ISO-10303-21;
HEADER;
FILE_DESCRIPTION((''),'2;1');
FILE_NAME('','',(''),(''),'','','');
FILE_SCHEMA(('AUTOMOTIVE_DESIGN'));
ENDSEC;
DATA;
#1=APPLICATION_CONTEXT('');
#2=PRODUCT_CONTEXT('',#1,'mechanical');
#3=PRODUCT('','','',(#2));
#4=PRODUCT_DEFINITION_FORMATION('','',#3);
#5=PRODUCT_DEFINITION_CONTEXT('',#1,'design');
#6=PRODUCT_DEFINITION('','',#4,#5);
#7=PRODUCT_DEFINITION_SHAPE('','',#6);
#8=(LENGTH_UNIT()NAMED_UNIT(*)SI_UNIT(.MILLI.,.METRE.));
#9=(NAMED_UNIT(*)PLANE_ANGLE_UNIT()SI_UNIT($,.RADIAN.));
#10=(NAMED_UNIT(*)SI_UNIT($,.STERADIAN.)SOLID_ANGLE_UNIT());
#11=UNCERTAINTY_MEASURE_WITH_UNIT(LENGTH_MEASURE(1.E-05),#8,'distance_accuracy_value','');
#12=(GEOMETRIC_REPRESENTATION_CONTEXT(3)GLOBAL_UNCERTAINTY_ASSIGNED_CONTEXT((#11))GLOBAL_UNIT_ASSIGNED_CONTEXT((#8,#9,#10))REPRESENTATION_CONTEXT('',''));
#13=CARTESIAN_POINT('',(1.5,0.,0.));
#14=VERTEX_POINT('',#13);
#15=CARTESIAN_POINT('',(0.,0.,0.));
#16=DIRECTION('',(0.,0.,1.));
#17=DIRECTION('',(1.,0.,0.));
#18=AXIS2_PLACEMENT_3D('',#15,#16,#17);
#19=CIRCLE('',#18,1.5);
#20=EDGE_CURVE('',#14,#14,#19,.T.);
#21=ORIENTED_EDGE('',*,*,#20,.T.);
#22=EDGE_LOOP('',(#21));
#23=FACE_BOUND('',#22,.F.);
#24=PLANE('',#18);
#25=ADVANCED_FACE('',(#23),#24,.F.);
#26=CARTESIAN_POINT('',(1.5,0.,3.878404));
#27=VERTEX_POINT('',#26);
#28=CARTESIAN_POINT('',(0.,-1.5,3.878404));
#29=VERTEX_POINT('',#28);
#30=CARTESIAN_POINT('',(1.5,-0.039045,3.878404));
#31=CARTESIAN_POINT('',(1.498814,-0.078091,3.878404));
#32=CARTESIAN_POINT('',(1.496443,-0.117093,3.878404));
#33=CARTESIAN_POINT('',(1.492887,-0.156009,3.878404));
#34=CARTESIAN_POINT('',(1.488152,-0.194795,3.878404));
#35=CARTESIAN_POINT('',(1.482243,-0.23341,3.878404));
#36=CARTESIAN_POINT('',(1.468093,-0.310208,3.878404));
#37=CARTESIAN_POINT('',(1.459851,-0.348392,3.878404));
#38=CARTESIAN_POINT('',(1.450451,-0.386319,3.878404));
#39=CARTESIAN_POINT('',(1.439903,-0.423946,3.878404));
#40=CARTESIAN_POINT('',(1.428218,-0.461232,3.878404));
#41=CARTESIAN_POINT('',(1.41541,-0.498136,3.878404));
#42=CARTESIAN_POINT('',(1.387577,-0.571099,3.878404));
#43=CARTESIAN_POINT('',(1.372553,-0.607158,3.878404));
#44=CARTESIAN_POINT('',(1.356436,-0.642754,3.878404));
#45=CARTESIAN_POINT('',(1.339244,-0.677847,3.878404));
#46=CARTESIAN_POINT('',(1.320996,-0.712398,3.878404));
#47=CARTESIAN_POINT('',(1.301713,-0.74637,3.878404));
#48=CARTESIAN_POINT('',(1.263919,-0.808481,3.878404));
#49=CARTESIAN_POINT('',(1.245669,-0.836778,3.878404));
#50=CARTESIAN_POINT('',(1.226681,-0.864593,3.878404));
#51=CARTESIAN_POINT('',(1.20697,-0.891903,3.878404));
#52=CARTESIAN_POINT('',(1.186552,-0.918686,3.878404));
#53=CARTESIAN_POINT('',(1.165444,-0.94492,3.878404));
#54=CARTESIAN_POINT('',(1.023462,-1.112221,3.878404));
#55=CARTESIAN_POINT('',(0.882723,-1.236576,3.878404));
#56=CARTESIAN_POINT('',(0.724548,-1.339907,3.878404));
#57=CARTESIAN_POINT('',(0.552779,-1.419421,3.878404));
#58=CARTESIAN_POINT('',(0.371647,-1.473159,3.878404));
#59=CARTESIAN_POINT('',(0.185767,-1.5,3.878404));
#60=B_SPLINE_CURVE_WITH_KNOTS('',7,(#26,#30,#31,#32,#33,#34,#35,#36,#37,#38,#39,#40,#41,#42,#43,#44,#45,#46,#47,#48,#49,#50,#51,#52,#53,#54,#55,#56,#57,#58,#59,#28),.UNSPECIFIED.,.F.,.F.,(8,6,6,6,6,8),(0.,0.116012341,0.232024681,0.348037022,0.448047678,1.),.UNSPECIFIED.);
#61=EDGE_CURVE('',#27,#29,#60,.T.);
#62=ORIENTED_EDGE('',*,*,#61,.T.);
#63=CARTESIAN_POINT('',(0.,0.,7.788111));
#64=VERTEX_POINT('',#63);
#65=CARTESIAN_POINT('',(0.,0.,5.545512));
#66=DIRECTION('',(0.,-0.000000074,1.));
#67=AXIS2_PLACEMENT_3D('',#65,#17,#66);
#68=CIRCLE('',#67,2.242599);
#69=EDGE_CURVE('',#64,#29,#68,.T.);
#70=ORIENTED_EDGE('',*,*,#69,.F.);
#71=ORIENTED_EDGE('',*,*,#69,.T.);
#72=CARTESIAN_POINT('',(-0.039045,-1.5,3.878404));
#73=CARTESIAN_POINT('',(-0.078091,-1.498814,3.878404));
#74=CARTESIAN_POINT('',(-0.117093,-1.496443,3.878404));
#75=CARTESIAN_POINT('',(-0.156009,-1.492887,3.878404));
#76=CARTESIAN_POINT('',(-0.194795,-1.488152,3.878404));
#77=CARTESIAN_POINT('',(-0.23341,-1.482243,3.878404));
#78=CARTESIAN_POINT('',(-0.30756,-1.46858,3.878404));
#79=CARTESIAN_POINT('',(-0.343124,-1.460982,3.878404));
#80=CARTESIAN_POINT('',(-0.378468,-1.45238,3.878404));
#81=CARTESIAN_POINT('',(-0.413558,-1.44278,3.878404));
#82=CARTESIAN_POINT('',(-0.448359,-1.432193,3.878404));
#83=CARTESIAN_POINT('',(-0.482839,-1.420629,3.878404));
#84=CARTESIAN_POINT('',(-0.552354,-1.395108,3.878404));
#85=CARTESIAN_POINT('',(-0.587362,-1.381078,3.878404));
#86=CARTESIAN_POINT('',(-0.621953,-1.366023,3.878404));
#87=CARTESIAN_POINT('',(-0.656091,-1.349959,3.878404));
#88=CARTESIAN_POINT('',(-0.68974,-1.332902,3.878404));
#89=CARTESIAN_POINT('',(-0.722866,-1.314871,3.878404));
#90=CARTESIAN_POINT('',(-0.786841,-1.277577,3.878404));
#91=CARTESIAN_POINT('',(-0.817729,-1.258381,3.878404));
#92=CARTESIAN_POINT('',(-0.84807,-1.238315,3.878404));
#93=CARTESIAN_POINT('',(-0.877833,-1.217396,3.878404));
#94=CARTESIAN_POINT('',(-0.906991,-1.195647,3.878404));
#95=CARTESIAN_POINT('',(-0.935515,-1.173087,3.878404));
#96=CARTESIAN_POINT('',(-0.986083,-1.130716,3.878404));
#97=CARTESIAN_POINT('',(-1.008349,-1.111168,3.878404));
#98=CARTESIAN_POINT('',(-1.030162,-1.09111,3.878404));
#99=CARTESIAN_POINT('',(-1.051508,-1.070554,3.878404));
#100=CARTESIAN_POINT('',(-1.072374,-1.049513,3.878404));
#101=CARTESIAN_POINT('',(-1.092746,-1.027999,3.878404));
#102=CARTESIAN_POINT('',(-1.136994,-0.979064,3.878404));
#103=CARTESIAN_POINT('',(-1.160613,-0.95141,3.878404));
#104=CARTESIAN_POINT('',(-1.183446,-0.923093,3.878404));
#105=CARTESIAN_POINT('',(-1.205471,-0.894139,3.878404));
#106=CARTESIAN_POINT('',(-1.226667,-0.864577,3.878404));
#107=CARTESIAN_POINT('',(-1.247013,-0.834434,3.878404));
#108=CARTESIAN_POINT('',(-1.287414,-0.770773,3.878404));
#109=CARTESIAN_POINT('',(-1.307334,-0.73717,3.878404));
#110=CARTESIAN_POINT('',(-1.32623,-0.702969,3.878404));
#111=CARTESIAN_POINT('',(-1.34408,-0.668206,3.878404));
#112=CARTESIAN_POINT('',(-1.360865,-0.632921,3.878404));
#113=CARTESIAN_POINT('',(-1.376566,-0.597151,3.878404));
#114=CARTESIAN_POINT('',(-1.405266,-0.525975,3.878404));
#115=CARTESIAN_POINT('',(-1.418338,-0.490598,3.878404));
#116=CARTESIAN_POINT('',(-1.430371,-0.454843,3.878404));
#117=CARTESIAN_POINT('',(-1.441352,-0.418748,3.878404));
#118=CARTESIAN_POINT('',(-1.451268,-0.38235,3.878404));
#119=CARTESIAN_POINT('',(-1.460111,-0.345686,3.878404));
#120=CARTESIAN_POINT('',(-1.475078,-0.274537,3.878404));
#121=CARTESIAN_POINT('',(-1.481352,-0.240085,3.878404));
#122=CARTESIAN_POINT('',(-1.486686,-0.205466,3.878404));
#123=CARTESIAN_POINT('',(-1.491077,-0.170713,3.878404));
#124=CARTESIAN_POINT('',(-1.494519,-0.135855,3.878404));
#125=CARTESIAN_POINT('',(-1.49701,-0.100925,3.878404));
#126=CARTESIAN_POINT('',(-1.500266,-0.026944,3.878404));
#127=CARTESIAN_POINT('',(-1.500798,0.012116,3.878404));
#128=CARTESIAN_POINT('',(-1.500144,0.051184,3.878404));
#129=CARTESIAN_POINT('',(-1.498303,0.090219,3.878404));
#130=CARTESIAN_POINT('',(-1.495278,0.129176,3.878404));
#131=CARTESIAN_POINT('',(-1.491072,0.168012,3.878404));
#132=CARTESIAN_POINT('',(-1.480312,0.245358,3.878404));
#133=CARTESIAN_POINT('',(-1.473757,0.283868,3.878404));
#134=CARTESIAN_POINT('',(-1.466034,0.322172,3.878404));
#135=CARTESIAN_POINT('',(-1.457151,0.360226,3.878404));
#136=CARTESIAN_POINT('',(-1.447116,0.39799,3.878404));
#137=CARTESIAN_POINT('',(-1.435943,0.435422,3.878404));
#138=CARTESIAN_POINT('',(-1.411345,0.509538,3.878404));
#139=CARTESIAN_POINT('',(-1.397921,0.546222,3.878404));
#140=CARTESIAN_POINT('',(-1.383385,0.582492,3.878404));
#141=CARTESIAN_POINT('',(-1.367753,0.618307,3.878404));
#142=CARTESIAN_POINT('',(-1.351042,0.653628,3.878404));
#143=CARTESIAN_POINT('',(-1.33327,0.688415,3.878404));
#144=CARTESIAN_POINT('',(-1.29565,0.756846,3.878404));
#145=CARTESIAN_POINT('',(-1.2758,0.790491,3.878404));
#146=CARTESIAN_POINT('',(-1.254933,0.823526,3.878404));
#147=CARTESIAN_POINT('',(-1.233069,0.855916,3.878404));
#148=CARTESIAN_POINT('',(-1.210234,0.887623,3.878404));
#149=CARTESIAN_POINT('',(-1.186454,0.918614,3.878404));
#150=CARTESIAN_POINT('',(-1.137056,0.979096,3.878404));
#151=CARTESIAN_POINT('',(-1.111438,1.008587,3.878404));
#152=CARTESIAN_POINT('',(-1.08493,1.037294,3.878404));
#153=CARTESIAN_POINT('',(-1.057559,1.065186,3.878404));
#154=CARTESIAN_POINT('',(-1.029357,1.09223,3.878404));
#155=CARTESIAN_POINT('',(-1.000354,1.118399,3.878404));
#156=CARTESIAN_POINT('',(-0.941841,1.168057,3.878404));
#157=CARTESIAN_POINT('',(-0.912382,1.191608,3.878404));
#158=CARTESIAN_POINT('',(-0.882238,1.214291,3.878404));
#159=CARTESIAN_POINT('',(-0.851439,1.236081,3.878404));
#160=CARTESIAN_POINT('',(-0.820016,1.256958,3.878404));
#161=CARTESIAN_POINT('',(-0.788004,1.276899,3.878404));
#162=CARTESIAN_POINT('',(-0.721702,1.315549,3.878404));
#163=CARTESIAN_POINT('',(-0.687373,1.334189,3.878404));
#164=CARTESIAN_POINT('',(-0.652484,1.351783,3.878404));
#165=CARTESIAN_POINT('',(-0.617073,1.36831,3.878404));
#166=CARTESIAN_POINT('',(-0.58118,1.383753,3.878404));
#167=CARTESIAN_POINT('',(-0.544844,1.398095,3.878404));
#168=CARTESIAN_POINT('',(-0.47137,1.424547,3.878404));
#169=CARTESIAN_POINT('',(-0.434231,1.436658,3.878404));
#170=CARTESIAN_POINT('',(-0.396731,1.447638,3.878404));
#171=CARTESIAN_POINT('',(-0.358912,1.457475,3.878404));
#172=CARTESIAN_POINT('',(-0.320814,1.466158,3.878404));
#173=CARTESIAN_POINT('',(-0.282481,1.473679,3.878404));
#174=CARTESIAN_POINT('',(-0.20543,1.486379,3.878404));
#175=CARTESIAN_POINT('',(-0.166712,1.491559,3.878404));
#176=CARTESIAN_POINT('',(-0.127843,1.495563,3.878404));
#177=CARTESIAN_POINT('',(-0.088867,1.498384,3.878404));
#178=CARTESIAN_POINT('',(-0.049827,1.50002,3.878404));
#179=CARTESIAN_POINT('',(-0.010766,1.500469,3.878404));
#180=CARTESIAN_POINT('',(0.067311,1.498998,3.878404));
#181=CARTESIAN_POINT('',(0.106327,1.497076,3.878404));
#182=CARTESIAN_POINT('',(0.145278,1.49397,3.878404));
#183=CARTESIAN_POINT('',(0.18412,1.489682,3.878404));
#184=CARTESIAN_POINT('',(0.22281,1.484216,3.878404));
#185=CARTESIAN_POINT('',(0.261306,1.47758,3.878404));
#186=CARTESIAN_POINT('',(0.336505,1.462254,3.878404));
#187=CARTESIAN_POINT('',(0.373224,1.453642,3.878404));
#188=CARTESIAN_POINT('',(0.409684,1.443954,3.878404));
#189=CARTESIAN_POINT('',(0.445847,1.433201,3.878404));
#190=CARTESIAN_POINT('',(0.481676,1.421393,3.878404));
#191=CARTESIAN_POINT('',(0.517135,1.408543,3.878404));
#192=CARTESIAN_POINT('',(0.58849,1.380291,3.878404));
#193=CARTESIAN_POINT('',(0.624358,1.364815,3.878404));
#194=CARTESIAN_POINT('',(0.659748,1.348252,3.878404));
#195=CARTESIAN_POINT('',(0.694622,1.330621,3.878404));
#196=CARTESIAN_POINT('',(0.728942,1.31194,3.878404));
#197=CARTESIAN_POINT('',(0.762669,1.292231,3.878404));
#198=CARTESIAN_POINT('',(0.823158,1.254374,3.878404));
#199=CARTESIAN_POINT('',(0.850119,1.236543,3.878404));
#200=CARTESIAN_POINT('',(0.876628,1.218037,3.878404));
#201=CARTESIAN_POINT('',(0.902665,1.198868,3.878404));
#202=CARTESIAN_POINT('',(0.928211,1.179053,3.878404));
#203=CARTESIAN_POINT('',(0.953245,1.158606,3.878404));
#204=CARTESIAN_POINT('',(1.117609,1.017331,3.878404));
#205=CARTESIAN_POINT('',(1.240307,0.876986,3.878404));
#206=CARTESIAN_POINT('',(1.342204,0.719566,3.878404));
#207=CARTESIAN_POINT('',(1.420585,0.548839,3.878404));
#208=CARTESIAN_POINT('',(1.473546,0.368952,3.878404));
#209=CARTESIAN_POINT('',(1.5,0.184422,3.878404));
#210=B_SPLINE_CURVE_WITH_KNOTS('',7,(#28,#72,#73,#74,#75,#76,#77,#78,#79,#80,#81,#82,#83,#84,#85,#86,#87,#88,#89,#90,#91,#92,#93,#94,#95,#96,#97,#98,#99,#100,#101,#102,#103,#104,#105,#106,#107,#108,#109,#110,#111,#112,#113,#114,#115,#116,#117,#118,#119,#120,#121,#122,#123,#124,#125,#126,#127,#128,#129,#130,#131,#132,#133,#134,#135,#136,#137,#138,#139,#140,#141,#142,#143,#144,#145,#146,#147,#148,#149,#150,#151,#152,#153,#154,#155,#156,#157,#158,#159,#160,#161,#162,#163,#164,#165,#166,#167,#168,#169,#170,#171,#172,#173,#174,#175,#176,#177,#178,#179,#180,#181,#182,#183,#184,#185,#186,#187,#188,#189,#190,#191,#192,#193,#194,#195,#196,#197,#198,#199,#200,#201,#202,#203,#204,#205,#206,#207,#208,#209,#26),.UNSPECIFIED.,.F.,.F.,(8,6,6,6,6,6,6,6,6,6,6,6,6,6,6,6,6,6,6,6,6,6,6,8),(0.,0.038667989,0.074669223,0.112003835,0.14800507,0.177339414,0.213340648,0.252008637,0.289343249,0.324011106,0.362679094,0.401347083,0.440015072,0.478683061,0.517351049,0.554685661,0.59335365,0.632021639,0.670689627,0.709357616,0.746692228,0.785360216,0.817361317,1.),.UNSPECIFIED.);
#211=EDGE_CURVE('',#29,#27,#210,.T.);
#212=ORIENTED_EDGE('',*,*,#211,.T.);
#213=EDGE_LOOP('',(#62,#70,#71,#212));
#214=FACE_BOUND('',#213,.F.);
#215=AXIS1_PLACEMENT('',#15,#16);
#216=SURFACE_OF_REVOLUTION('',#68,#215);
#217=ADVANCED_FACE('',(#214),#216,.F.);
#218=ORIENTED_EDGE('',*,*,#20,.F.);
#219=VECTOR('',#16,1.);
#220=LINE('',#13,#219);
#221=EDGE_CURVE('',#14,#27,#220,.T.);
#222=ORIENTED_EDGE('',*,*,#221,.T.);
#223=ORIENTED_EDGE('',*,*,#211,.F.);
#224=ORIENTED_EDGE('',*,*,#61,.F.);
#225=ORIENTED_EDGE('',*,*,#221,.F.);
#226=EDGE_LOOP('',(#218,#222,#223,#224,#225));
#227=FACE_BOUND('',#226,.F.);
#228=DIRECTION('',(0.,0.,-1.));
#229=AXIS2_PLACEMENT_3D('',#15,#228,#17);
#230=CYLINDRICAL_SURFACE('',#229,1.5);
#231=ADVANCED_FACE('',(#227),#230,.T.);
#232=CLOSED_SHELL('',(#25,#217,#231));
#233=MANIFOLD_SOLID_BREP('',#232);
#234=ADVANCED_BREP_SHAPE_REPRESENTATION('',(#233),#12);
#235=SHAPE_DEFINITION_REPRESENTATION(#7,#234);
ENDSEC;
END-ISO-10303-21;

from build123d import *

# Parameters (mm, degrees)
SKETCH_R  = 1.5
PAD_DEPTH = 4


with BuildPart() as part:
    # Sketch → Pad (new body)
    with BuildSketch(Plane.XY):
        Circle(SKETCH_R)
    extrude(amount=PAD_DEPTH)

    # Sketch001 → Revolution (revolve)
    with BuildSketch(Plane.YZ):
        with BuildLine():
            ThreePointArc((0, 7.788111), (-2.136656, 6.226651), (-1.297923, 3.716675))
            ThreePointArc((0, 1.203972), (-0.343644, 2.618033), (-1.297923, 3.716675))
            Line((0, 1.203972), (0, 7.788111))
        make_face()
    revolve(axis=Axis((0, 0, 0), (0, 0, 1)))


solid = part.part
